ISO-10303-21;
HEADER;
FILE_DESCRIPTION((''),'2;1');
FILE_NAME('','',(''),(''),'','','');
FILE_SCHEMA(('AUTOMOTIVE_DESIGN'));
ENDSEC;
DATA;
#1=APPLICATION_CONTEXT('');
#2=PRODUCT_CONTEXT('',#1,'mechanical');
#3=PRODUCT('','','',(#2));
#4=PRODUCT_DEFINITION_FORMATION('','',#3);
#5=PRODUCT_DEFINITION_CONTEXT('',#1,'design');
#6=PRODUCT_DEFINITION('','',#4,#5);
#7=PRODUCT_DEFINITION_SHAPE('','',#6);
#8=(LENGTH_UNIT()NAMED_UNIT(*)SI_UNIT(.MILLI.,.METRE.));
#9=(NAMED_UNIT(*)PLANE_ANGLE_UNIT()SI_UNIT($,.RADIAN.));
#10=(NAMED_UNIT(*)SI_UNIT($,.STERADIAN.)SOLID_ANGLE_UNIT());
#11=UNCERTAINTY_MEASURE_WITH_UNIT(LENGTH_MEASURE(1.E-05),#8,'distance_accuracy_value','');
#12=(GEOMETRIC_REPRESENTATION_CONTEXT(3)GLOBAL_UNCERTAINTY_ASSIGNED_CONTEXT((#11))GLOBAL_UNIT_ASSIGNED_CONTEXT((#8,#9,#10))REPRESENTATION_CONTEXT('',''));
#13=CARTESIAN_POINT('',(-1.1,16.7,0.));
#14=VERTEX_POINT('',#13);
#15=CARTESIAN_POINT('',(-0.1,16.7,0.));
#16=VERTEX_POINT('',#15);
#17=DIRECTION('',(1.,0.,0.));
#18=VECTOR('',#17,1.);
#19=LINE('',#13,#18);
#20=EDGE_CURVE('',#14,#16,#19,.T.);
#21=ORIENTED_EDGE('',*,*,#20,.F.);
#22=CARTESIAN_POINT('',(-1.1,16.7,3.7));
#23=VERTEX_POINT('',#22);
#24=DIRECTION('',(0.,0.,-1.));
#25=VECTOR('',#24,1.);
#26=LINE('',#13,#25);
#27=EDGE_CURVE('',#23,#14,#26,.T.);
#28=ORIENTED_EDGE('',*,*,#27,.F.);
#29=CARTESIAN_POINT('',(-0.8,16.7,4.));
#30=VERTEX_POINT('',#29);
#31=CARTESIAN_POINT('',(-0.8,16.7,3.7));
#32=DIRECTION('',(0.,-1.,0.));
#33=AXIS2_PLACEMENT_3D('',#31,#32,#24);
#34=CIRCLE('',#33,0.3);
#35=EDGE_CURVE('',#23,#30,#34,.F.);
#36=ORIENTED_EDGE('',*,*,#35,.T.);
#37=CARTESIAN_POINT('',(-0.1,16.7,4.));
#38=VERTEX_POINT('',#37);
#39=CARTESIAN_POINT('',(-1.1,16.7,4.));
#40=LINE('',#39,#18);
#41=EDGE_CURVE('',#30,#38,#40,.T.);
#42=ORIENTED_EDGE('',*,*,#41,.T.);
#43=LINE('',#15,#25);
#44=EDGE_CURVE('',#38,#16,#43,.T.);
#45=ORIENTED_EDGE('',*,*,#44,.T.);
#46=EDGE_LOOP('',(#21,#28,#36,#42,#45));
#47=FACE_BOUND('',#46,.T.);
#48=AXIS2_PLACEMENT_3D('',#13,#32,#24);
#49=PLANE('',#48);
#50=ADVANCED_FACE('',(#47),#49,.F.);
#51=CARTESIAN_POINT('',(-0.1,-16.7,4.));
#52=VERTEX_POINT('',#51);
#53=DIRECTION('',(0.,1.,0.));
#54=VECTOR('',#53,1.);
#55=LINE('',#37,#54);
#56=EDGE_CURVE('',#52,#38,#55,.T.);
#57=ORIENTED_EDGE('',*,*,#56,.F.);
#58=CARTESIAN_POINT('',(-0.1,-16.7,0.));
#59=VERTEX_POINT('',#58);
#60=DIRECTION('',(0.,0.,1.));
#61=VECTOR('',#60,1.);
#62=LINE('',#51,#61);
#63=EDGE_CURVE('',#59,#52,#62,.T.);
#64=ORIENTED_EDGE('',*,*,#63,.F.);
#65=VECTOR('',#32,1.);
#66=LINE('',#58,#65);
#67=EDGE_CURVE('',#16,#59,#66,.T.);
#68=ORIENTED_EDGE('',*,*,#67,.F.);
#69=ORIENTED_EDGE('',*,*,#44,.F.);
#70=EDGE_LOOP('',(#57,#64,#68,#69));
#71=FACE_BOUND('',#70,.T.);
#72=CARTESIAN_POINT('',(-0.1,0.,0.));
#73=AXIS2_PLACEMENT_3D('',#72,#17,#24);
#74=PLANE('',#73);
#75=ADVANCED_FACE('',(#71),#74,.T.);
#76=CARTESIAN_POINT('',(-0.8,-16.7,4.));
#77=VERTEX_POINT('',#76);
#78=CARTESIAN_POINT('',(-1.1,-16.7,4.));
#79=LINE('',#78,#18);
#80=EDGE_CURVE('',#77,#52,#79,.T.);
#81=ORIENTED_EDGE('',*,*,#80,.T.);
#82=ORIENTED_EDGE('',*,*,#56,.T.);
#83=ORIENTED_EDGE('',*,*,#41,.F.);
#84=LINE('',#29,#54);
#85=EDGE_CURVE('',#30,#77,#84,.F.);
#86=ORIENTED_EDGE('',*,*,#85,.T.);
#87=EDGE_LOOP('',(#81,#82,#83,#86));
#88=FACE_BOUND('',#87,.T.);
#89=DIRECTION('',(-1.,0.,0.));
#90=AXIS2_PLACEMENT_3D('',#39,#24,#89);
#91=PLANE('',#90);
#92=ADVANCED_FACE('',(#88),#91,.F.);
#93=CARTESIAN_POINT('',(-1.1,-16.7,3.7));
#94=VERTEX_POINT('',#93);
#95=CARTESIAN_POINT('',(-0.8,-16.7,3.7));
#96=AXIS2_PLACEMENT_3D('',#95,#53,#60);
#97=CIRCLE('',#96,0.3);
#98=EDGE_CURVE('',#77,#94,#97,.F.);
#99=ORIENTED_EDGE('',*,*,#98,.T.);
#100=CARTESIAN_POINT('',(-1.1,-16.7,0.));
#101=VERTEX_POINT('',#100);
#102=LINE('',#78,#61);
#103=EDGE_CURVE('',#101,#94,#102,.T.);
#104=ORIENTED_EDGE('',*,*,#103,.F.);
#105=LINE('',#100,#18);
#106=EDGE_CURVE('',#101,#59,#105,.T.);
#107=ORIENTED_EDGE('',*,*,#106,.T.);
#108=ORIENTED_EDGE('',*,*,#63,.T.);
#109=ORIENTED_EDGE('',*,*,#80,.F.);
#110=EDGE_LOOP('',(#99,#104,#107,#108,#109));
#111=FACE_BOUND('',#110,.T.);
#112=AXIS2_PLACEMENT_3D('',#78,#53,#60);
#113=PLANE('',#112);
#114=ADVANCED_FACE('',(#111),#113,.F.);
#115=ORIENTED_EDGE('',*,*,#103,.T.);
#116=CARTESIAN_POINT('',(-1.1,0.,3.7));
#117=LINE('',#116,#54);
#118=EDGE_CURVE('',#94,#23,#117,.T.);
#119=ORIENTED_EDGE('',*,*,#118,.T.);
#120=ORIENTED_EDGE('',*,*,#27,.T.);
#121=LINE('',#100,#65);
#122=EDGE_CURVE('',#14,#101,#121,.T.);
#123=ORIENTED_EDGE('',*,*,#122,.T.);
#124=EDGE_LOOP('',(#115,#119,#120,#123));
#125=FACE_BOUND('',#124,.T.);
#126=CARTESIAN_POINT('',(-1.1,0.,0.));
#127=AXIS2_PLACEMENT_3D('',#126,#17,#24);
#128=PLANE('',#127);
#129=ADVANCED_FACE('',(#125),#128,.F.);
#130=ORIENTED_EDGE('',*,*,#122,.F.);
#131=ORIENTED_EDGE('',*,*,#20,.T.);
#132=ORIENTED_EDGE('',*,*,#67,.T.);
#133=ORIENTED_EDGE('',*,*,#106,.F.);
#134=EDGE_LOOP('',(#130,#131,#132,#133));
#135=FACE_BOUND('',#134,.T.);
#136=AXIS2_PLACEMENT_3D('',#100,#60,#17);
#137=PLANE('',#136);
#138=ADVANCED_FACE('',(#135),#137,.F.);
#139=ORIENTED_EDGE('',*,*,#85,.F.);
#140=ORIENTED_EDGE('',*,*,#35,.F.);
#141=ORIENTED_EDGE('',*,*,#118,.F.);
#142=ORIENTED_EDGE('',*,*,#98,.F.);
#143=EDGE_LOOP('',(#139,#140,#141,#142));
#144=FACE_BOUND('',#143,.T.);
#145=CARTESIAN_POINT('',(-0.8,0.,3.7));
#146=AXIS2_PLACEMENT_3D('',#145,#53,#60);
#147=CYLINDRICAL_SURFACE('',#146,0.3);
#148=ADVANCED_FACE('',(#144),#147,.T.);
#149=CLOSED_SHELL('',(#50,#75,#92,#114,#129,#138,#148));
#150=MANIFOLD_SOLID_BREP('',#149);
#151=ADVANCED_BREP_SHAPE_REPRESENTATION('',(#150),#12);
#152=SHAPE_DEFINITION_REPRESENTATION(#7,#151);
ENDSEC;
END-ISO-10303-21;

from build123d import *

# Parameters (mm, degrees)
SKETCH_1_W      = 4
SKETCH_1_H      = 33.4
EXTRUDE_1_DEPTH = 1
FILLET_1_R      = 0.3


with BuildPart() as part:
    # Эскиз1 → Бобышка-Вытянуть1 (new body)
    with BuildSketch(Plane.ZY.offset(0.1)):
        with Locations((2, 0)):
            Rectangle(SKETCH_1_W, SKETCH_1_H)
    extrude(amount=EXTRUDE_1_DEPTH)

    # Скругление1
    fillet_1_edges = [part.edges().sort_by_distance(p)[0] for p in [
        (-1.1, 0, 4),
    ]]
    fillet(fillet_1_edges, radius=FILLET_1_R)


solid = part.part
